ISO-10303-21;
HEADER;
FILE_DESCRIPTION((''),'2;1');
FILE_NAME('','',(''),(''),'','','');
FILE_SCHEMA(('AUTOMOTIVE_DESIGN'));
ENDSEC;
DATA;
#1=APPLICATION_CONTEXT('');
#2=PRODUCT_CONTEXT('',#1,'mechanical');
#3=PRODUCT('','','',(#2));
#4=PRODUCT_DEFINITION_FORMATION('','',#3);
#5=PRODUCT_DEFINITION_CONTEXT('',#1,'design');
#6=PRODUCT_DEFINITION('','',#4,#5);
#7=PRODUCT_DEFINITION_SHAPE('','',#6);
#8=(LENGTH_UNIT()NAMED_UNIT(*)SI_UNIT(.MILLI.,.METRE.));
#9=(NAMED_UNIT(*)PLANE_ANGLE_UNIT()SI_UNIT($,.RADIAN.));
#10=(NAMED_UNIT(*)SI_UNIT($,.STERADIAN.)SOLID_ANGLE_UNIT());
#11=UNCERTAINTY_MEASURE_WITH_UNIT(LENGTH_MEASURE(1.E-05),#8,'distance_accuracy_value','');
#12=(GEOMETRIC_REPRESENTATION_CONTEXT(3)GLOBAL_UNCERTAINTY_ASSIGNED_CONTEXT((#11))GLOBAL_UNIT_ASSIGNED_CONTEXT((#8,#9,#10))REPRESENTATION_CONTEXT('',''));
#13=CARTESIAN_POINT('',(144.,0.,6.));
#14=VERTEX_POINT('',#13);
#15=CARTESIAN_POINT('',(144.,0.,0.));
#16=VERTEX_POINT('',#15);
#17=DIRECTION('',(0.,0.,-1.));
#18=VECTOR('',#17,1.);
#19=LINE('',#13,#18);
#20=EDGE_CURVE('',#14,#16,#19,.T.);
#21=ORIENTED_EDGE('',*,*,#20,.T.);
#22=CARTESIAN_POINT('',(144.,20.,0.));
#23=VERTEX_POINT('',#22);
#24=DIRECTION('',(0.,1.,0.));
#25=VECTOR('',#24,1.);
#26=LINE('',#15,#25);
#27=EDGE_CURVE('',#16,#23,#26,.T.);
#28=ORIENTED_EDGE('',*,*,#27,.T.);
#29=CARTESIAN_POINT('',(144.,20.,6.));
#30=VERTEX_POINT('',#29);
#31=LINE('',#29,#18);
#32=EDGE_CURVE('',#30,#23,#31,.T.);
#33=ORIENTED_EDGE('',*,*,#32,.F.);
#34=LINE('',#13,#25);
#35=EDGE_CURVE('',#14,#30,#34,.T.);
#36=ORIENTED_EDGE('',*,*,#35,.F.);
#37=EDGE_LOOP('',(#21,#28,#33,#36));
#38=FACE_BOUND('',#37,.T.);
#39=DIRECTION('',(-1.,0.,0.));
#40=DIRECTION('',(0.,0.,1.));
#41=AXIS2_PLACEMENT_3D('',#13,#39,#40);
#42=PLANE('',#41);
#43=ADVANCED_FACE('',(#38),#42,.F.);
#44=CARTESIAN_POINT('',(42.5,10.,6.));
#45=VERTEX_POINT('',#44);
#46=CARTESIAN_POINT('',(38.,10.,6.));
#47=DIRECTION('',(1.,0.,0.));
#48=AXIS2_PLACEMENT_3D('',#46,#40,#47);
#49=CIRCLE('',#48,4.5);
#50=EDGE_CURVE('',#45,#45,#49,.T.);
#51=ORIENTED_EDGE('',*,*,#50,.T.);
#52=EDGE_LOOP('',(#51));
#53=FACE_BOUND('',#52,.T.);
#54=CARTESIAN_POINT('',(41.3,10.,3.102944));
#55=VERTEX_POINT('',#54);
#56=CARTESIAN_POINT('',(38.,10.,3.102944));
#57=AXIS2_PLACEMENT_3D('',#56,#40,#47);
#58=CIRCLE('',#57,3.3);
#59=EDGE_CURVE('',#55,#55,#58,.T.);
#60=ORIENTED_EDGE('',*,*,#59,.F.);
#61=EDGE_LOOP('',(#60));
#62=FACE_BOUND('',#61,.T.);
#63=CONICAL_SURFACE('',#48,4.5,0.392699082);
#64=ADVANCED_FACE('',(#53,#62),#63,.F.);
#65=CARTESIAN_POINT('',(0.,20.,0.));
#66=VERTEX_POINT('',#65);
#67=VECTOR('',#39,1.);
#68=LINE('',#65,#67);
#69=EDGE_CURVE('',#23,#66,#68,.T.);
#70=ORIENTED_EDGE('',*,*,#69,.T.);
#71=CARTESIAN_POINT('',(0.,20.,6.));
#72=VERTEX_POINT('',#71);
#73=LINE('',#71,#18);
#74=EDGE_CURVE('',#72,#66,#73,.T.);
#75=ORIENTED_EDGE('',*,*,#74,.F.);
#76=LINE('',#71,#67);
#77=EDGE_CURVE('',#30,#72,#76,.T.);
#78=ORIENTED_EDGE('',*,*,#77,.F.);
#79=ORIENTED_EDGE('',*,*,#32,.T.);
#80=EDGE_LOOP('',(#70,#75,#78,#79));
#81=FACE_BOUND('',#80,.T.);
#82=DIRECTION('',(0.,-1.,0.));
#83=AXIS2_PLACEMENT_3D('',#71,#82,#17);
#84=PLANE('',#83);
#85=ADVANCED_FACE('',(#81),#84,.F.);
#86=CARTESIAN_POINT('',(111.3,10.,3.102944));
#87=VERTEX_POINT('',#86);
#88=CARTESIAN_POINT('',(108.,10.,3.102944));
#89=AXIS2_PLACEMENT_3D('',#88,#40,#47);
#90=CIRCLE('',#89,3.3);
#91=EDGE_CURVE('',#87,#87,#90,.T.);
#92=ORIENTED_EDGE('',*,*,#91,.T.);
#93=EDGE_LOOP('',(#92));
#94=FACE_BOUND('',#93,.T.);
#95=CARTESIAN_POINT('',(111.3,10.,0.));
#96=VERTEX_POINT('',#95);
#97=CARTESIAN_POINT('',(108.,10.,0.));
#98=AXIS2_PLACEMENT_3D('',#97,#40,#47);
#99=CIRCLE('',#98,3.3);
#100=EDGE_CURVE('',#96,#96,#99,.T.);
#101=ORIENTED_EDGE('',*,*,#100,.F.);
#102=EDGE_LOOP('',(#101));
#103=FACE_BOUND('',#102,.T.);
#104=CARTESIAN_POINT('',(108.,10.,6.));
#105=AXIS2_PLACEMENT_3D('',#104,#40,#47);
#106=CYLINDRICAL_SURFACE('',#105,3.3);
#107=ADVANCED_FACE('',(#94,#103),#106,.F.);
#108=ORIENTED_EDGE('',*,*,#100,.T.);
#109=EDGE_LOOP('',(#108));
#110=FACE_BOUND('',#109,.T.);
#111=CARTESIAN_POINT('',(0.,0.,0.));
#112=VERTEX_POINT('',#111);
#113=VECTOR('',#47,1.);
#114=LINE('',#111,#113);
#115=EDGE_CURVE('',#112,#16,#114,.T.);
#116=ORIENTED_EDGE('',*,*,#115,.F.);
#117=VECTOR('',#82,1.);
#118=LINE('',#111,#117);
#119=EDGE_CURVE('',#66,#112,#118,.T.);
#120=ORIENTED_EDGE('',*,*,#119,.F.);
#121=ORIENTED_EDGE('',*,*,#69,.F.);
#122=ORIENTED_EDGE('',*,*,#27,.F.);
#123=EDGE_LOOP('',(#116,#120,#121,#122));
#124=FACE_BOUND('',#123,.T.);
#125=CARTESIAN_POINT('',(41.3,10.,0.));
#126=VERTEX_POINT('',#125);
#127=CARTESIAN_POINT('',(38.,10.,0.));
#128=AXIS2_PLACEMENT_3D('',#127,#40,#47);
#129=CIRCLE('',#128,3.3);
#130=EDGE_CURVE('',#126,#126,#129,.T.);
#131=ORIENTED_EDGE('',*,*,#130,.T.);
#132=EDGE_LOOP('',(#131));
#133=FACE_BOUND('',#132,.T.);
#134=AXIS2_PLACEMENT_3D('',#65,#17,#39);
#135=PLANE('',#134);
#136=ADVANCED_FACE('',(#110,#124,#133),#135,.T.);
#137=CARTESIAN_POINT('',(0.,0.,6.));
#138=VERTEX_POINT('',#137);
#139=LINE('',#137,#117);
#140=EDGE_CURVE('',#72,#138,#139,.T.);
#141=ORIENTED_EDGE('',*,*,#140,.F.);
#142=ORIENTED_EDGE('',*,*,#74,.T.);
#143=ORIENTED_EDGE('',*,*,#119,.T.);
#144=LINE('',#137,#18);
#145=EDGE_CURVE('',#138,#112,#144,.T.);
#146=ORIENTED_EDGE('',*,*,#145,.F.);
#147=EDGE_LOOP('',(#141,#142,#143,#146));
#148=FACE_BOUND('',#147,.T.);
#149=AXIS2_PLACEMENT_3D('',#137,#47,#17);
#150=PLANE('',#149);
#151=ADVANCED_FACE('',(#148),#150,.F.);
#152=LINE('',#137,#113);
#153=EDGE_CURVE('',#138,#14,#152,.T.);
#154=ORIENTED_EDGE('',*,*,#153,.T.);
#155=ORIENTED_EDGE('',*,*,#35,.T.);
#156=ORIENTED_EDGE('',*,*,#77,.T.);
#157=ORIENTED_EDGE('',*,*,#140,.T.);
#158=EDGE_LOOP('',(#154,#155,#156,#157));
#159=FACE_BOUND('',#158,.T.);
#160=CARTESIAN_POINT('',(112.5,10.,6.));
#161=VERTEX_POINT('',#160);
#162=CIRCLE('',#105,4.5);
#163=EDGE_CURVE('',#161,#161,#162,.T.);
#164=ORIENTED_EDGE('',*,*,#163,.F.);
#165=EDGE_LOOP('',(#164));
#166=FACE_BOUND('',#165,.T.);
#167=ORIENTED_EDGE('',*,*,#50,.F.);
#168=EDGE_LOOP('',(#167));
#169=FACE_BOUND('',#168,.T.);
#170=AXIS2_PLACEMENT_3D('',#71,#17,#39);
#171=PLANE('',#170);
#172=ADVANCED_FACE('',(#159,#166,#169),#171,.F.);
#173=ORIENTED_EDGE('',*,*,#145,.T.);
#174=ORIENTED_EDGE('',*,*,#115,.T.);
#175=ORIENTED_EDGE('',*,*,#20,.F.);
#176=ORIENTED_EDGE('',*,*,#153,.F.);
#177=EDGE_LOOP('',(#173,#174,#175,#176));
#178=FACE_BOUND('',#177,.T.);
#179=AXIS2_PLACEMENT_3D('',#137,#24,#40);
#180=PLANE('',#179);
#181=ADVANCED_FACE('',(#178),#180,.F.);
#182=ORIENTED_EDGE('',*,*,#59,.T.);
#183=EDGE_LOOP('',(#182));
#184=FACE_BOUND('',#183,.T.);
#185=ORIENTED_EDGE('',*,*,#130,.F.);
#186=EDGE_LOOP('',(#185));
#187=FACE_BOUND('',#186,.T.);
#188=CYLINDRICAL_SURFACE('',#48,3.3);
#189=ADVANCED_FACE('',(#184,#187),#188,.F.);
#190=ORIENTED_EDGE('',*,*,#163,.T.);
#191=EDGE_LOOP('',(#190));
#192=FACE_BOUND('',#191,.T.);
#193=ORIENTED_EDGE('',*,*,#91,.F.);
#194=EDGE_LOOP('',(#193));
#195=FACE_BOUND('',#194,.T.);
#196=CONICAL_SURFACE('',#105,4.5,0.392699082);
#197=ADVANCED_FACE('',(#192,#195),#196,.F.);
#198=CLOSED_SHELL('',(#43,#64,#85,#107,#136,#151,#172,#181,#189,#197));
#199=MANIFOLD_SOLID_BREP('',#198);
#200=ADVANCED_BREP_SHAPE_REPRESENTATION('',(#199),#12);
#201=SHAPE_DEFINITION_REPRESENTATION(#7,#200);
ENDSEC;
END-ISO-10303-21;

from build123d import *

# Parameters (mm, degrees)
SKETCH1_W                                      = 144
SKETCH1_H                                      = 20
EXTRUDE1_DEPTH                                 = 6
CSK_FOR_M6_FLAT_HEAD_MACHINE_SCREW4_AT_2_COUNT = 2
CSK_FOR_M6_FLAT_HEAD_MACHINE_SCREW4_AT_2_PITCH = 70


with BuildPart() as part:
    # Sketch1 → Extrude1 (new body)
    with BuildSketch(Plane.XY):
        with Locations((72, 10)):
            Rectangle(SKETCH1_W, SKETCH1_H)
    extrude(amount=EXTRUDE1_DEPTH)

    # Sketch9 → CSK for M6 Flat Head Machine Screw4 (revolve, cut)
    with BuildSketch(Plane(origin=(38, 10, 6), x_dir=(0, -1, 0), z_dir=(1, 0, 0))):
        Polygon((0, 0), (0, 6), (3.3, 6), (3.3, 2.897056275), (4.5, 0), align=None)
    csk_for_m6_flat_head_machine_screw4 = revolve(axis=Axis((38, 10, 12.35), (0, 0, -1)), mode=Mode.SUBTRACT)

    # CSK for M6 Flat Head Machine Screw4 at 2: CSK for M6 Flat Head Machine Screw4 ×2
    with Locations(*[(i * CSK_FOR_M6_FLAT_HEAD_MACHINE_SCREW4_AT_2_PITCH, 0, 0) for i in range(1, CSK_FOR_M6_FLAT_HEAD_MACHINE_SCREW4_AT_2_COUNT)]):
        add(csk_for_m6_flat_head_machine_screw4, mode=Mode.SUBTRACT)


solid = part.part
